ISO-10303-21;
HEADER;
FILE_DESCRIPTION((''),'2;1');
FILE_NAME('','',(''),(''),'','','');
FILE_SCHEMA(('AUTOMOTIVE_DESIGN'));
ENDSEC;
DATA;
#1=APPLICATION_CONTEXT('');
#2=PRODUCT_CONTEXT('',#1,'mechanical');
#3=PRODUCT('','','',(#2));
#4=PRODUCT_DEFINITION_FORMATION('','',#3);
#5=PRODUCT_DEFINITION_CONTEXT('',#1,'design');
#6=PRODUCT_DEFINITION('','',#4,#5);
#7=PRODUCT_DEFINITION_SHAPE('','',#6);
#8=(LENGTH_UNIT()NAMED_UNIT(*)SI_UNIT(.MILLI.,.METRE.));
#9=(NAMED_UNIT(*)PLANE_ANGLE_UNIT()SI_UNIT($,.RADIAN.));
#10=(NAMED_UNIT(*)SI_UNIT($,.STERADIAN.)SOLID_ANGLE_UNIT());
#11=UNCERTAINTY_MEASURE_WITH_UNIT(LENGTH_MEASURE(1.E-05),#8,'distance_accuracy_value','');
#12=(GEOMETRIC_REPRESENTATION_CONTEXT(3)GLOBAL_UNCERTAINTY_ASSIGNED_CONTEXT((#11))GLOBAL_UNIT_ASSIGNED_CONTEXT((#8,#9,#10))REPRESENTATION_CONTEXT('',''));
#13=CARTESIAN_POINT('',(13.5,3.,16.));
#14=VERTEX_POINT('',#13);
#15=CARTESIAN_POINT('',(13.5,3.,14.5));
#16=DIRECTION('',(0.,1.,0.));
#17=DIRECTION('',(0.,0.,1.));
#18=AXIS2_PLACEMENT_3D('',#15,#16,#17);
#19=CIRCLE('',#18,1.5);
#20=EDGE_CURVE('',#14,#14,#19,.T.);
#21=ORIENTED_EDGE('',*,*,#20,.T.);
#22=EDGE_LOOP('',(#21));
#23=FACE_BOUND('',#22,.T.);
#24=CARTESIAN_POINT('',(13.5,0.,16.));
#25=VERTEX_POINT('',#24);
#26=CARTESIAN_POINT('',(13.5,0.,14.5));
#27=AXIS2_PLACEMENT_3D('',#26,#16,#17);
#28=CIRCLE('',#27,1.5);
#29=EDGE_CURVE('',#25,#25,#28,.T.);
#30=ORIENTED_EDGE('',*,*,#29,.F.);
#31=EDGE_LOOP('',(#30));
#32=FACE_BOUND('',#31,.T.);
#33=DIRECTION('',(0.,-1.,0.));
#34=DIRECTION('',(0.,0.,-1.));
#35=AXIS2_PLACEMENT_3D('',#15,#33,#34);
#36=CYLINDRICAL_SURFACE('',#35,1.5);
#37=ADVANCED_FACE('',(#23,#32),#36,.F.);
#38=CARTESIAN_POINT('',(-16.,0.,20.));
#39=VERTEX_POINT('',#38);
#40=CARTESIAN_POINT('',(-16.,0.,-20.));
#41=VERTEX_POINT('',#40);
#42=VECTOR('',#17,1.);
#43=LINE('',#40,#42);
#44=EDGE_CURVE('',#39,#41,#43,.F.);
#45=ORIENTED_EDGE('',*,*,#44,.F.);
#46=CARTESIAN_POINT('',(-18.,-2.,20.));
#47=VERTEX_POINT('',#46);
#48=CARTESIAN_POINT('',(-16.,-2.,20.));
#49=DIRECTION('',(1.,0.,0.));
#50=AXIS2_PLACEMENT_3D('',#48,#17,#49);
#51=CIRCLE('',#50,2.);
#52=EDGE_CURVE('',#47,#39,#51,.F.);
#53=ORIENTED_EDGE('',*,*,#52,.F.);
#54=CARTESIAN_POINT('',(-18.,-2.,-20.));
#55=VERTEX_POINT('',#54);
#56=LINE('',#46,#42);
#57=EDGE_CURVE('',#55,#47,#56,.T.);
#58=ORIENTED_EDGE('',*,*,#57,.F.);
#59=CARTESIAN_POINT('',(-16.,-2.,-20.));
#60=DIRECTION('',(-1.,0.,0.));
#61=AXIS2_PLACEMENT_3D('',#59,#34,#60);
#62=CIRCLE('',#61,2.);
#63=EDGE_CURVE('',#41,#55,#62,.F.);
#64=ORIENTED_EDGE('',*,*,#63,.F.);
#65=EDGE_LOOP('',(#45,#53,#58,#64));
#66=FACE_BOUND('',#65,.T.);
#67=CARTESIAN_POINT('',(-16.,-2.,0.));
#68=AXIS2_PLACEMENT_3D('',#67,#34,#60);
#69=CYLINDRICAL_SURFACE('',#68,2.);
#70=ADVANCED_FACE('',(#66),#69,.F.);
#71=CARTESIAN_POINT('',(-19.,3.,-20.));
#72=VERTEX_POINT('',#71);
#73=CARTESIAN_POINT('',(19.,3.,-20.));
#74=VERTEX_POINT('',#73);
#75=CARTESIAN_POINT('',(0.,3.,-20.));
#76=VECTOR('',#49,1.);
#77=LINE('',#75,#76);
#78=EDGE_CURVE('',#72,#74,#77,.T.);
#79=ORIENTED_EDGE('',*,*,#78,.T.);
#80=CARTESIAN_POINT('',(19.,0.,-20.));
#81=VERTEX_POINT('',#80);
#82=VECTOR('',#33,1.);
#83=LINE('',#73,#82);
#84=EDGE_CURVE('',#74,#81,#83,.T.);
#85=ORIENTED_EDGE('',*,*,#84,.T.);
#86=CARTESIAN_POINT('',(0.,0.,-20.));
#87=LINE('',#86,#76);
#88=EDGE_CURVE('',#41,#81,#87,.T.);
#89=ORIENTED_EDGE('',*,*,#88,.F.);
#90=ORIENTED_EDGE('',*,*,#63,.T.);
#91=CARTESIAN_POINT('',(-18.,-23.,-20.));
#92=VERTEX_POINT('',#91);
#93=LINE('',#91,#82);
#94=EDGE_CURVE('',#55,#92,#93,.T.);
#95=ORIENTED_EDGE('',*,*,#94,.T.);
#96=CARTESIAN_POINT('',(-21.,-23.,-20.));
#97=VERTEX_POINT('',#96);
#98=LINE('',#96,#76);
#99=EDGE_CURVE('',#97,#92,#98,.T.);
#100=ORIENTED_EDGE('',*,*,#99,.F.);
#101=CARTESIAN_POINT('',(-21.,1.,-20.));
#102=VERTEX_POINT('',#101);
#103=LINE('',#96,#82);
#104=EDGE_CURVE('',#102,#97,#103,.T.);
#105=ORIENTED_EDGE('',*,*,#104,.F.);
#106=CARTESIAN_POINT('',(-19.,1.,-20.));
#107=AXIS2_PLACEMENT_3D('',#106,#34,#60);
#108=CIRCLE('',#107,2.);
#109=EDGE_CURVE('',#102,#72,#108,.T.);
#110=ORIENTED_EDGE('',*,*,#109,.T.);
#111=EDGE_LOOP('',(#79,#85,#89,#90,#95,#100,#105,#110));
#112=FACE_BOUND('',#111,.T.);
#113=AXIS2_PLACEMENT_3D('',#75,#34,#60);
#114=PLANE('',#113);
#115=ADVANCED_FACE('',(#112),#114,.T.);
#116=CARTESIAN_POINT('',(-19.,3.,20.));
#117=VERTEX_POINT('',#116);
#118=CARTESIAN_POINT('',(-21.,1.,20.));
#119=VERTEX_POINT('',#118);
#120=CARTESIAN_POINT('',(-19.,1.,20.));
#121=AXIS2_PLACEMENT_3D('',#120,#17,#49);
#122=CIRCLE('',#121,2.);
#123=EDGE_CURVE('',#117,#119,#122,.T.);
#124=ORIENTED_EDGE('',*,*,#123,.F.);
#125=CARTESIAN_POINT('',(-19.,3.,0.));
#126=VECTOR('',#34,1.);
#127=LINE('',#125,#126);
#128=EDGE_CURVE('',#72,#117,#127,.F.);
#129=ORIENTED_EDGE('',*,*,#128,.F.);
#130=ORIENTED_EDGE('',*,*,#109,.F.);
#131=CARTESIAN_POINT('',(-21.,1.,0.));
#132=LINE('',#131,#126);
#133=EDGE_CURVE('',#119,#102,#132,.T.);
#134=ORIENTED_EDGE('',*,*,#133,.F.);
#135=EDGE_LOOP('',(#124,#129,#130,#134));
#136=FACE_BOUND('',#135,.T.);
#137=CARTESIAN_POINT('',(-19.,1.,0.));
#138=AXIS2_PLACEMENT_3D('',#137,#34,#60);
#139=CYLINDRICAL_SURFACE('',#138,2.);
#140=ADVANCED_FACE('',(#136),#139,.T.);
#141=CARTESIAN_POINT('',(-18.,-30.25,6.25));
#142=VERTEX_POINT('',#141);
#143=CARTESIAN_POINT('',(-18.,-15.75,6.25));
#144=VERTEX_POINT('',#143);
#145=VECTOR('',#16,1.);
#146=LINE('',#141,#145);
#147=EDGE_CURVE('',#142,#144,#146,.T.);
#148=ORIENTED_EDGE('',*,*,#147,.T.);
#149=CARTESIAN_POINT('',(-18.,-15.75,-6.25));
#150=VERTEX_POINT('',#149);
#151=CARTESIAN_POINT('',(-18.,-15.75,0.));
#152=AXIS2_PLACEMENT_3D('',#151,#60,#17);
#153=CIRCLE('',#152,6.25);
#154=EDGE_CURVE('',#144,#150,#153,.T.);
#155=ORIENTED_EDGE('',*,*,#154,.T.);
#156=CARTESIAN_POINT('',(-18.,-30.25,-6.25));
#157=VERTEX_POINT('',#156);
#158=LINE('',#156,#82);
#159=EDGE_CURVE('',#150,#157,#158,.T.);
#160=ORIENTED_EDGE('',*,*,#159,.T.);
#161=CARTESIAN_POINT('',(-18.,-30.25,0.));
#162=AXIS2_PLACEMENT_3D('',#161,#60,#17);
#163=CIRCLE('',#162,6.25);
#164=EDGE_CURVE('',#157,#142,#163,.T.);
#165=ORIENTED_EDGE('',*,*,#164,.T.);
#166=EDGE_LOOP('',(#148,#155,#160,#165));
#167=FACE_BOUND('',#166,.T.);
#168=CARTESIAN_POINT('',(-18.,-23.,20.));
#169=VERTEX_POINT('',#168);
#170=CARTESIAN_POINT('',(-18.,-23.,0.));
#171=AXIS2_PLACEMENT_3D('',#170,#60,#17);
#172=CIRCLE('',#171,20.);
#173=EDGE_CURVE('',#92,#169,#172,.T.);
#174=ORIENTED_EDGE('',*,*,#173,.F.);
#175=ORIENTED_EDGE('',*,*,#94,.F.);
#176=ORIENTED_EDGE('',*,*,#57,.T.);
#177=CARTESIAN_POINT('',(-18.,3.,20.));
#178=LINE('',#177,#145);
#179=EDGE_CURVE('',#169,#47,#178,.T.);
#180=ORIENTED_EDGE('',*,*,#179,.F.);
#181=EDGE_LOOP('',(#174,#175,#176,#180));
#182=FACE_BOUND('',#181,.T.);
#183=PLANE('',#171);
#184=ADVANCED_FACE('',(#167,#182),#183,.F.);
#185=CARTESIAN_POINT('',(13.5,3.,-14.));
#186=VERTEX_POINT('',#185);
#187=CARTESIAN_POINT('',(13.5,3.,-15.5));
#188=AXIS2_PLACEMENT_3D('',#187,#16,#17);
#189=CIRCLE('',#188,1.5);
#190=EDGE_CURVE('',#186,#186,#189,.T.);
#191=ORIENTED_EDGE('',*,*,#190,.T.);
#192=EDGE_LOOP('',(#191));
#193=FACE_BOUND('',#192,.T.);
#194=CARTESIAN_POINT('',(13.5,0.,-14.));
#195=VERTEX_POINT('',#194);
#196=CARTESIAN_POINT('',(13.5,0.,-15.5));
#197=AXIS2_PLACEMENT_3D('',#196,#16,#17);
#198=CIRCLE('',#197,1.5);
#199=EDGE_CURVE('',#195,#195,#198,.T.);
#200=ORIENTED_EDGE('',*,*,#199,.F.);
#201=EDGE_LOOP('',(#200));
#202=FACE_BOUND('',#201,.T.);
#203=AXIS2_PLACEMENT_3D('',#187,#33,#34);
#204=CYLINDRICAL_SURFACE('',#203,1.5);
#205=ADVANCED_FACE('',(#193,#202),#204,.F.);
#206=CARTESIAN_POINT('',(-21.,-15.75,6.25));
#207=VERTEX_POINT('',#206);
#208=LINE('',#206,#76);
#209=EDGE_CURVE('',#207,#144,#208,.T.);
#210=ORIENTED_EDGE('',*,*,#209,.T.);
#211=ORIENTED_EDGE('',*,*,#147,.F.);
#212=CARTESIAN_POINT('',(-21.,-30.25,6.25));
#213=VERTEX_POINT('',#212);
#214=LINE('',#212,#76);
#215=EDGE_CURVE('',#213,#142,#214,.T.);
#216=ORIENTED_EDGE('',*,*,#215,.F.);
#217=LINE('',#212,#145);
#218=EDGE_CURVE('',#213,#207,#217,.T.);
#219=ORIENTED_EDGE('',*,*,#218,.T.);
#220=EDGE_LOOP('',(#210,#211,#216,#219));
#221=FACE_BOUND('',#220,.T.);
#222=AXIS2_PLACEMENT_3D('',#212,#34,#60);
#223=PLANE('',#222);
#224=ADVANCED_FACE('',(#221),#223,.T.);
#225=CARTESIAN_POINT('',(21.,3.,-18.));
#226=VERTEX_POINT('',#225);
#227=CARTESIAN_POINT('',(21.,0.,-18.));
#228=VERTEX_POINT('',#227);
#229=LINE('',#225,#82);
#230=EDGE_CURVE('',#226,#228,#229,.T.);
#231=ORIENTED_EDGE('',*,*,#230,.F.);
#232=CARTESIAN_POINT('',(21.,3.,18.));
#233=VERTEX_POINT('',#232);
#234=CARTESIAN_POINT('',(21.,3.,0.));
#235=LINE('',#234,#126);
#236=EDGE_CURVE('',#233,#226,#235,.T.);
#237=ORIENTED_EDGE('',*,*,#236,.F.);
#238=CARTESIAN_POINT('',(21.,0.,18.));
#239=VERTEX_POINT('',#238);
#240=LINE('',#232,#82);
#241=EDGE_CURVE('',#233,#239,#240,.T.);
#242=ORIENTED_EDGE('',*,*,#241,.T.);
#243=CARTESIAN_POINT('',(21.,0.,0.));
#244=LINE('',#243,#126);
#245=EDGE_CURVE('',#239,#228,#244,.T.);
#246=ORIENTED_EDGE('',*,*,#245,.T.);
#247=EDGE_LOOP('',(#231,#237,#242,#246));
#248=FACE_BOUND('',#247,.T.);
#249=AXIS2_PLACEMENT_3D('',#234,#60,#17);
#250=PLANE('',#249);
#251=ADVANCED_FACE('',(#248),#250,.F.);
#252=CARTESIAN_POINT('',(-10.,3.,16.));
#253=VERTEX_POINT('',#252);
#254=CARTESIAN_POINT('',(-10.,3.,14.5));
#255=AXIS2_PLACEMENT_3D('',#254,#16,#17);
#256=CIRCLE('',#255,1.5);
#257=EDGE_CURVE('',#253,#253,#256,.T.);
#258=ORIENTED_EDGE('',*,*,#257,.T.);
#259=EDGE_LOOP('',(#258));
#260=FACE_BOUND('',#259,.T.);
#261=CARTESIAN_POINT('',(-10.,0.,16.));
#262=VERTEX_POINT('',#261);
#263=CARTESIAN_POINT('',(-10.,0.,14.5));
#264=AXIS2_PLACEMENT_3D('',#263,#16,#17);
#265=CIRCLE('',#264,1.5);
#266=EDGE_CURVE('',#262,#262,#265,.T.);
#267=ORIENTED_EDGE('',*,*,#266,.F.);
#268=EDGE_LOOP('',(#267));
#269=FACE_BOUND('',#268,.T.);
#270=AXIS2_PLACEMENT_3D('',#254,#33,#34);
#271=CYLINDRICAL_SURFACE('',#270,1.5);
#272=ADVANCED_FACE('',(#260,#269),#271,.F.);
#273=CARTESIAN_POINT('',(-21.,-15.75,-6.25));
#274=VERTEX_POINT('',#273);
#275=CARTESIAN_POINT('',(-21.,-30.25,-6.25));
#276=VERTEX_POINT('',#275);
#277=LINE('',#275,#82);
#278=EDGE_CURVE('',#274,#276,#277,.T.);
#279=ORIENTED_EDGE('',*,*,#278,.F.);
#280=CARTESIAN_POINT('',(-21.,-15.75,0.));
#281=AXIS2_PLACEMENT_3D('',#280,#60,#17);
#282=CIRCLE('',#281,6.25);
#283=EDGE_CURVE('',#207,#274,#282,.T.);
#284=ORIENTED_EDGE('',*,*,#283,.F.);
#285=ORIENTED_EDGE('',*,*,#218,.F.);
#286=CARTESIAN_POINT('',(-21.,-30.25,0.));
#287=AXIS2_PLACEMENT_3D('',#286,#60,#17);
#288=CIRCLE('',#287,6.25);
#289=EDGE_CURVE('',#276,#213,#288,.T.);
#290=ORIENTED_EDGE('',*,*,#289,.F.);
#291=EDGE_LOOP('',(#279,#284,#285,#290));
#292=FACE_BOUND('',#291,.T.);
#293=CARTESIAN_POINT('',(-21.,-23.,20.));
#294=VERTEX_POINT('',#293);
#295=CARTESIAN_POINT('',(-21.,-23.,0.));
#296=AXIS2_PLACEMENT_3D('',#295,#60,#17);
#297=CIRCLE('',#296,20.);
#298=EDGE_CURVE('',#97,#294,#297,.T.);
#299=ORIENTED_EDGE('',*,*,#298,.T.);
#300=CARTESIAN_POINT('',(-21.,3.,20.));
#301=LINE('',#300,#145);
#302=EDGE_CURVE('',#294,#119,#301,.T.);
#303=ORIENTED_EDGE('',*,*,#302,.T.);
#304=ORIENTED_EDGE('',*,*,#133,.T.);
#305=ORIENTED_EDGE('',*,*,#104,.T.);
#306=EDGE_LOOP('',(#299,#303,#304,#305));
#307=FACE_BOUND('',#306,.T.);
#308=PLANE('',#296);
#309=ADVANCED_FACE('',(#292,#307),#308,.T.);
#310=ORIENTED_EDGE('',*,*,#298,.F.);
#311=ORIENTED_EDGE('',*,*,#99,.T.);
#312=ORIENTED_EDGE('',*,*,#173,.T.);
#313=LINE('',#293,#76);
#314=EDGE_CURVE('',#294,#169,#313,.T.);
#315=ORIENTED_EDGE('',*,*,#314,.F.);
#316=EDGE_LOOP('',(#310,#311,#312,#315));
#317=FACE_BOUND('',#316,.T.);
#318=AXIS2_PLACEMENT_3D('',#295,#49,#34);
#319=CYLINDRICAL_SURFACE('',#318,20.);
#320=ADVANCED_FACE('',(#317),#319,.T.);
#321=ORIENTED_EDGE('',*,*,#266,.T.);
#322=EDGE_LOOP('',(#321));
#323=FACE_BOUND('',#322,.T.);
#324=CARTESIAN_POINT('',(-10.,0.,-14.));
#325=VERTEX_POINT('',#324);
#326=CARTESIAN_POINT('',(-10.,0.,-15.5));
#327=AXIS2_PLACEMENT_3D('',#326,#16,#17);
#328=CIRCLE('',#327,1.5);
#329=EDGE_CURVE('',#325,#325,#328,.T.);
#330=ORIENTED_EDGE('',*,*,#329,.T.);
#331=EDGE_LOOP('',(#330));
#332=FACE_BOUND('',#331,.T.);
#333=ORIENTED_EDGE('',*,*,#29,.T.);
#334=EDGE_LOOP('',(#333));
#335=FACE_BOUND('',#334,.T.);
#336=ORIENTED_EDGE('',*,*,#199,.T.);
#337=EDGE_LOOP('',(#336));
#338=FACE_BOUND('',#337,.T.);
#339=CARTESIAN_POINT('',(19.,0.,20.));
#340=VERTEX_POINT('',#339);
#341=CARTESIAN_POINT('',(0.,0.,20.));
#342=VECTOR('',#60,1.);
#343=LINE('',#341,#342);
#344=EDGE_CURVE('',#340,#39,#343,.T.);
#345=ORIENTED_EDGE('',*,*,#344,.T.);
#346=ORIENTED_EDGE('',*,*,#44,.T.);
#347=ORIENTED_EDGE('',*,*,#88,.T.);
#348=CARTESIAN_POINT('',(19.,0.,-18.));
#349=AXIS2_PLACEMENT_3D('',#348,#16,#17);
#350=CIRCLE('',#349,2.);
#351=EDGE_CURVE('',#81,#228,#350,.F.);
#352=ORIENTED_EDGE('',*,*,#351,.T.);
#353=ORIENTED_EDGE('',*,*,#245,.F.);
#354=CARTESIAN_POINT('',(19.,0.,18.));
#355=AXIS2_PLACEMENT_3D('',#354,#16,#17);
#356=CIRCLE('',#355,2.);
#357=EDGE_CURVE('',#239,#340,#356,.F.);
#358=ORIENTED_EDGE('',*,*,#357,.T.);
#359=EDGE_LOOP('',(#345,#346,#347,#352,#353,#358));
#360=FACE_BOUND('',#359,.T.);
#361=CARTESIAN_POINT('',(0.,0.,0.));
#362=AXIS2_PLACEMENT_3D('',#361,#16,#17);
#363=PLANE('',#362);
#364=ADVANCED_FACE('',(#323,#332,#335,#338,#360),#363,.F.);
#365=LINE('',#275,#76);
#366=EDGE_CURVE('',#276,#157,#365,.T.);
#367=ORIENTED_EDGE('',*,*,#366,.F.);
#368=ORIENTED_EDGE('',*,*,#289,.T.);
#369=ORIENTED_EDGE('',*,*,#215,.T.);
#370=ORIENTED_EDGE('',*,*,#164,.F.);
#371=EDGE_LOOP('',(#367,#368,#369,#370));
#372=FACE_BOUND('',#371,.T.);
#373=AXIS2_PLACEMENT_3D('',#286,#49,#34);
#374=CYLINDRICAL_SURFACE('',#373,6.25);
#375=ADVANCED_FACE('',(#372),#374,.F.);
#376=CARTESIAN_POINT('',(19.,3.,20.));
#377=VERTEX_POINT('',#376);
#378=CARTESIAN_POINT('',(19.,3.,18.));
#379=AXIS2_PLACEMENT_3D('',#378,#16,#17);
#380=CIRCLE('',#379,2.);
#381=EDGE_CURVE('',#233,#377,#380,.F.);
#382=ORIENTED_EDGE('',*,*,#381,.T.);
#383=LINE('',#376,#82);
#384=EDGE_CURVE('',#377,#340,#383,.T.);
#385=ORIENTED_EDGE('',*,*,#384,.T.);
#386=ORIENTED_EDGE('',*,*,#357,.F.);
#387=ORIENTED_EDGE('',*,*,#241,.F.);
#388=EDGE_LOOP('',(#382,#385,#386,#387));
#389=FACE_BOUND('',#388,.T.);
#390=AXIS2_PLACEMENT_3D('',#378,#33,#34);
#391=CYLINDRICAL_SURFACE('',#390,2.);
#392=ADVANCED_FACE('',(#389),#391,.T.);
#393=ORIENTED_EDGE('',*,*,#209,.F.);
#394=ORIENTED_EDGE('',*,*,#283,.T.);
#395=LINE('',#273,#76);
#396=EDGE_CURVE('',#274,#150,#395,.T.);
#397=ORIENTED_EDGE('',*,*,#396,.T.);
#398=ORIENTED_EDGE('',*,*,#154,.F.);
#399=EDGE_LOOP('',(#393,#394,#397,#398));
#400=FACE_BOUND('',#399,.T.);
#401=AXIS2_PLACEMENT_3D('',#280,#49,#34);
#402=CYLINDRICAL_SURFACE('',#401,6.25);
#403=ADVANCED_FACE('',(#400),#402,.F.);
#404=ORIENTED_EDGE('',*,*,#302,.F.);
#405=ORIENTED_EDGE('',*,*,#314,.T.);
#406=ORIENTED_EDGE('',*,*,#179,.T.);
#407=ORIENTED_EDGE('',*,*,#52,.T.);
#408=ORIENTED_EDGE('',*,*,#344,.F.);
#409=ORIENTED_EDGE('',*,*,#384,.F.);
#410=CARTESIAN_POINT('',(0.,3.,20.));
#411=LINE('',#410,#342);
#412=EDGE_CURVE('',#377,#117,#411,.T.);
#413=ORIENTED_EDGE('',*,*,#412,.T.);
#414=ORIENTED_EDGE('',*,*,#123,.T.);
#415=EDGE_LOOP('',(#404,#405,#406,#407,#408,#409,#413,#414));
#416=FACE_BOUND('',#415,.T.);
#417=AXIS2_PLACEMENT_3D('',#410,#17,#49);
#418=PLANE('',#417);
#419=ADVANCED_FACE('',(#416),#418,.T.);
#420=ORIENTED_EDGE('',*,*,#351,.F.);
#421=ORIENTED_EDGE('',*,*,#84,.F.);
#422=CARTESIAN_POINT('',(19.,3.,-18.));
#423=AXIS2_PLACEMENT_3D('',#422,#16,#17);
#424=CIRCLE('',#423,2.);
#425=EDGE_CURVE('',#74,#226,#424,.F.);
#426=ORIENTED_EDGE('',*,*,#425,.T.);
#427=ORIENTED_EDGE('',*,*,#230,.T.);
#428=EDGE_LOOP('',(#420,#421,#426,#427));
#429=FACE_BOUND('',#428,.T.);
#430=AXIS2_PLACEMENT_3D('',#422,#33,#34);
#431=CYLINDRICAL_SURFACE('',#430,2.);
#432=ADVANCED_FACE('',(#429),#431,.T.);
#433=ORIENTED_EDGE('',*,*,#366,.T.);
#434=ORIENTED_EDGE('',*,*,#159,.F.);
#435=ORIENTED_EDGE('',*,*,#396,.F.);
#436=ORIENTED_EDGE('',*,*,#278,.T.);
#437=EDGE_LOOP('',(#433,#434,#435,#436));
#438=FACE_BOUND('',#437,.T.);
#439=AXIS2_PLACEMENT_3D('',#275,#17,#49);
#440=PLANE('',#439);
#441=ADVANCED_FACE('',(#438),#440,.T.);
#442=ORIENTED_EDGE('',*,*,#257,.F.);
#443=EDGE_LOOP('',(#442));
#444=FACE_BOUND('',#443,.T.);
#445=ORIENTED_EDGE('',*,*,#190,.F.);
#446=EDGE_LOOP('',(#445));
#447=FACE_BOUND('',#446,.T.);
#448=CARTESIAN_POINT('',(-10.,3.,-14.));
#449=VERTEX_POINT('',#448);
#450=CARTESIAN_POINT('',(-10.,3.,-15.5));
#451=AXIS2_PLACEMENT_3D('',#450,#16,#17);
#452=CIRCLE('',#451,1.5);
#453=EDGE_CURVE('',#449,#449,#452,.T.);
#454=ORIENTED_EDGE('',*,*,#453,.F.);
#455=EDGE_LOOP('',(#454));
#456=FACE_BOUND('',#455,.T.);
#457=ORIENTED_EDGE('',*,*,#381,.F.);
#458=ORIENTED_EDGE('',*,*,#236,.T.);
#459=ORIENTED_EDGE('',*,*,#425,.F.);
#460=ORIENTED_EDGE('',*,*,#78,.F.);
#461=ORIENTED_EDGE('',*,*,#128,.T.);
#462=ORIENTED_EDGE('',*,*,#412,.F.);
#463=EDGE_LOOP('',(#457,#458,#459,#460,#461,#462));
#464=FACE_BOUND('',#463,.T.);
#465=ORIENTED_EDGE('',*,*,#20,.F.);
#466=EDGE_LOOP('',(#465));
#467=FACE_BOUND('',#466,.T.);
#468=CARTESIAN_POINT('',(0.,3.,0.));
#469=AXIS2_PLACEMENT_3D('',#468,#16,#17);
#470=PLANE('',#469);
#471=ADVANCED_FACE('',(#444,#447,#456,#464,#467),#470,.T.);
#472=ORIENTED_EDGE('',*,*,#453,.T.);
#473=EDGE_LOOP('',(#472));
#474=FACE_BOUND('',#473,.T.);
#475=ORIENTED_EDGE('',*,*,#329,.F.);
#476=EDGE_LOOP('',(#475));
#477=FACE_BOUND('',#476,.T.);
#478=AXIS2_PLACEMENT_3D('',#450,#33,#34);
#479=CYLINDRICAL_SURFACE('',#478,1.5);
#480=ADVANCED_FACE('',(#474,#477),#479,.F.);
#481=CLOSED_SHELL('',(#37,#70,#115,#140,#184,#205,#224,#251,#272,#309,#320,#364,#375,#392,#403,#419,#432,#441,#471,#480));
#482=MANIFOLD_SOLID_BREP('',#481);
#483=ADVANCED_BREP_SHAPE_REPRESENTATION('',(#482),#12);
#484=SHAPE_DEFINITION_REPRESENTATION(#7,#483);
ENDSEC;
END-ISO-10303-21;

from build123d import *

# Parameters (mm, degrees)
SKETCH1_R           = 1.5
BOSS_EXTRUDE1_DEPTH = 3
SKETCH2_W           = 40
SKETCH2_H           = 3
CUT_EXTRUDE1_DEPTH  = 3
BOSS_EXTRUDE2_DEPTH = 3
FILLET1_R           = 2
FILLET2_R           = 2


with BuildPart() as part:
    # Sketch1 → Boss-Extrude1 (new body)
    with BuildSketch(Plane(origin=(0, 0, 0), x_dir=(1, 0, 0), z_dir=(0, 1, 0))):
        with BuildLine():
            Line((-19, -20), (19, -20))
            ThreePointArc((19, -20), (20.414213562, -19.414213562), (21, -18))
            Line((21, -18), (21, 18))
            ThreePointArc((21, 18), (20.414213562, 19.414213562), (19, 20))
            Line((19, 20), (-19, 20))
            Line((-19, 20), (-21, 20))
            Line((-21, 20), (-21, 18))
            Line((-21, 18), (-21, -18))
            Line((-21, -18), (-21, -20))
            Line((-21, -20), (-19, -20))
        make_face()
        with Locations(Location((13.5, 15.5, 0), (0, 0, 270))):
            Circle(SKETCH1_R, mode=Mode.SUBTRACT)
        with Locations(Location((-10, 15.5, 0), (0, 0, 270))):
            Circle(SKETCH1_R, mode=Mode.SUBTRACT)
        with Locations(Location((-10, -14.5, 0), (0, 0, 270))):
            Circle(SKETCH1_R, mode=Mode.SUBTRACT)
        with Locations(Location((13.5, -14.5, 0), (0, 0, 270))):
            Circle(SKETCH1_R, mode=Mode.SUBTRACT)
    extrude(amount=BOSS_EXTRUDE1_DEPTH)

    # Sketch2 → Cut-Extrude1 (cut)
    with BuildSketch(Plane.ZY.offset(21)):
        with Locations((0, 1.5)):
            Rectangle(SKETCH2_W, SKETCH2_H)
    extrude(amount=-CUT_EXTRUDE1_DEPTH, mode=Mode.SUBTRACT)

    # Sketch3 → Boss-Extrude2 (add)
    with BuildSketch(Plane.ZY.offset(18)):
        with BuildLine():
            Line((-20, 3), (20, 3))
            Line((20, 3), (20, -23))
            ThreePointArc((20, -23), (0, -43), (-20, -23))
            Line((-20, -23), (-20, 3))
        make_face()
        with BuildLine():
            Line((-6.25, -30.25), (-6.25, -15.75))
            ThreePointArc((-6.25, -15.75), (0, -9.5), (6.25, -15.75))
            Line((6.25, -15.75), (6.25, -30.25))
            ThreePointArc((6.25, -30.25), (0, -36.5), (-6.25, -30.25))
        make_face(mode=Mode.SUBTRACT)
    extrude(amount=BOSS_EXTRUDE2_DEPTH)

    # Fillet1
    fillet1_edges = [part.edges().sort_by_distance(p)[0] for p in [
        (-21, 3, 0),
    ]]
    fillet(fillet1_edges, radius=FILLET1_R)

    # Fillet2
    fillet2_edges = [part.edges().sort_by_distance(p)[0] for p in [
        (-18, 0, 0),
    ]]
    fillet(fillet2_edges, radius=FILLET2_R)


solid = part.part
